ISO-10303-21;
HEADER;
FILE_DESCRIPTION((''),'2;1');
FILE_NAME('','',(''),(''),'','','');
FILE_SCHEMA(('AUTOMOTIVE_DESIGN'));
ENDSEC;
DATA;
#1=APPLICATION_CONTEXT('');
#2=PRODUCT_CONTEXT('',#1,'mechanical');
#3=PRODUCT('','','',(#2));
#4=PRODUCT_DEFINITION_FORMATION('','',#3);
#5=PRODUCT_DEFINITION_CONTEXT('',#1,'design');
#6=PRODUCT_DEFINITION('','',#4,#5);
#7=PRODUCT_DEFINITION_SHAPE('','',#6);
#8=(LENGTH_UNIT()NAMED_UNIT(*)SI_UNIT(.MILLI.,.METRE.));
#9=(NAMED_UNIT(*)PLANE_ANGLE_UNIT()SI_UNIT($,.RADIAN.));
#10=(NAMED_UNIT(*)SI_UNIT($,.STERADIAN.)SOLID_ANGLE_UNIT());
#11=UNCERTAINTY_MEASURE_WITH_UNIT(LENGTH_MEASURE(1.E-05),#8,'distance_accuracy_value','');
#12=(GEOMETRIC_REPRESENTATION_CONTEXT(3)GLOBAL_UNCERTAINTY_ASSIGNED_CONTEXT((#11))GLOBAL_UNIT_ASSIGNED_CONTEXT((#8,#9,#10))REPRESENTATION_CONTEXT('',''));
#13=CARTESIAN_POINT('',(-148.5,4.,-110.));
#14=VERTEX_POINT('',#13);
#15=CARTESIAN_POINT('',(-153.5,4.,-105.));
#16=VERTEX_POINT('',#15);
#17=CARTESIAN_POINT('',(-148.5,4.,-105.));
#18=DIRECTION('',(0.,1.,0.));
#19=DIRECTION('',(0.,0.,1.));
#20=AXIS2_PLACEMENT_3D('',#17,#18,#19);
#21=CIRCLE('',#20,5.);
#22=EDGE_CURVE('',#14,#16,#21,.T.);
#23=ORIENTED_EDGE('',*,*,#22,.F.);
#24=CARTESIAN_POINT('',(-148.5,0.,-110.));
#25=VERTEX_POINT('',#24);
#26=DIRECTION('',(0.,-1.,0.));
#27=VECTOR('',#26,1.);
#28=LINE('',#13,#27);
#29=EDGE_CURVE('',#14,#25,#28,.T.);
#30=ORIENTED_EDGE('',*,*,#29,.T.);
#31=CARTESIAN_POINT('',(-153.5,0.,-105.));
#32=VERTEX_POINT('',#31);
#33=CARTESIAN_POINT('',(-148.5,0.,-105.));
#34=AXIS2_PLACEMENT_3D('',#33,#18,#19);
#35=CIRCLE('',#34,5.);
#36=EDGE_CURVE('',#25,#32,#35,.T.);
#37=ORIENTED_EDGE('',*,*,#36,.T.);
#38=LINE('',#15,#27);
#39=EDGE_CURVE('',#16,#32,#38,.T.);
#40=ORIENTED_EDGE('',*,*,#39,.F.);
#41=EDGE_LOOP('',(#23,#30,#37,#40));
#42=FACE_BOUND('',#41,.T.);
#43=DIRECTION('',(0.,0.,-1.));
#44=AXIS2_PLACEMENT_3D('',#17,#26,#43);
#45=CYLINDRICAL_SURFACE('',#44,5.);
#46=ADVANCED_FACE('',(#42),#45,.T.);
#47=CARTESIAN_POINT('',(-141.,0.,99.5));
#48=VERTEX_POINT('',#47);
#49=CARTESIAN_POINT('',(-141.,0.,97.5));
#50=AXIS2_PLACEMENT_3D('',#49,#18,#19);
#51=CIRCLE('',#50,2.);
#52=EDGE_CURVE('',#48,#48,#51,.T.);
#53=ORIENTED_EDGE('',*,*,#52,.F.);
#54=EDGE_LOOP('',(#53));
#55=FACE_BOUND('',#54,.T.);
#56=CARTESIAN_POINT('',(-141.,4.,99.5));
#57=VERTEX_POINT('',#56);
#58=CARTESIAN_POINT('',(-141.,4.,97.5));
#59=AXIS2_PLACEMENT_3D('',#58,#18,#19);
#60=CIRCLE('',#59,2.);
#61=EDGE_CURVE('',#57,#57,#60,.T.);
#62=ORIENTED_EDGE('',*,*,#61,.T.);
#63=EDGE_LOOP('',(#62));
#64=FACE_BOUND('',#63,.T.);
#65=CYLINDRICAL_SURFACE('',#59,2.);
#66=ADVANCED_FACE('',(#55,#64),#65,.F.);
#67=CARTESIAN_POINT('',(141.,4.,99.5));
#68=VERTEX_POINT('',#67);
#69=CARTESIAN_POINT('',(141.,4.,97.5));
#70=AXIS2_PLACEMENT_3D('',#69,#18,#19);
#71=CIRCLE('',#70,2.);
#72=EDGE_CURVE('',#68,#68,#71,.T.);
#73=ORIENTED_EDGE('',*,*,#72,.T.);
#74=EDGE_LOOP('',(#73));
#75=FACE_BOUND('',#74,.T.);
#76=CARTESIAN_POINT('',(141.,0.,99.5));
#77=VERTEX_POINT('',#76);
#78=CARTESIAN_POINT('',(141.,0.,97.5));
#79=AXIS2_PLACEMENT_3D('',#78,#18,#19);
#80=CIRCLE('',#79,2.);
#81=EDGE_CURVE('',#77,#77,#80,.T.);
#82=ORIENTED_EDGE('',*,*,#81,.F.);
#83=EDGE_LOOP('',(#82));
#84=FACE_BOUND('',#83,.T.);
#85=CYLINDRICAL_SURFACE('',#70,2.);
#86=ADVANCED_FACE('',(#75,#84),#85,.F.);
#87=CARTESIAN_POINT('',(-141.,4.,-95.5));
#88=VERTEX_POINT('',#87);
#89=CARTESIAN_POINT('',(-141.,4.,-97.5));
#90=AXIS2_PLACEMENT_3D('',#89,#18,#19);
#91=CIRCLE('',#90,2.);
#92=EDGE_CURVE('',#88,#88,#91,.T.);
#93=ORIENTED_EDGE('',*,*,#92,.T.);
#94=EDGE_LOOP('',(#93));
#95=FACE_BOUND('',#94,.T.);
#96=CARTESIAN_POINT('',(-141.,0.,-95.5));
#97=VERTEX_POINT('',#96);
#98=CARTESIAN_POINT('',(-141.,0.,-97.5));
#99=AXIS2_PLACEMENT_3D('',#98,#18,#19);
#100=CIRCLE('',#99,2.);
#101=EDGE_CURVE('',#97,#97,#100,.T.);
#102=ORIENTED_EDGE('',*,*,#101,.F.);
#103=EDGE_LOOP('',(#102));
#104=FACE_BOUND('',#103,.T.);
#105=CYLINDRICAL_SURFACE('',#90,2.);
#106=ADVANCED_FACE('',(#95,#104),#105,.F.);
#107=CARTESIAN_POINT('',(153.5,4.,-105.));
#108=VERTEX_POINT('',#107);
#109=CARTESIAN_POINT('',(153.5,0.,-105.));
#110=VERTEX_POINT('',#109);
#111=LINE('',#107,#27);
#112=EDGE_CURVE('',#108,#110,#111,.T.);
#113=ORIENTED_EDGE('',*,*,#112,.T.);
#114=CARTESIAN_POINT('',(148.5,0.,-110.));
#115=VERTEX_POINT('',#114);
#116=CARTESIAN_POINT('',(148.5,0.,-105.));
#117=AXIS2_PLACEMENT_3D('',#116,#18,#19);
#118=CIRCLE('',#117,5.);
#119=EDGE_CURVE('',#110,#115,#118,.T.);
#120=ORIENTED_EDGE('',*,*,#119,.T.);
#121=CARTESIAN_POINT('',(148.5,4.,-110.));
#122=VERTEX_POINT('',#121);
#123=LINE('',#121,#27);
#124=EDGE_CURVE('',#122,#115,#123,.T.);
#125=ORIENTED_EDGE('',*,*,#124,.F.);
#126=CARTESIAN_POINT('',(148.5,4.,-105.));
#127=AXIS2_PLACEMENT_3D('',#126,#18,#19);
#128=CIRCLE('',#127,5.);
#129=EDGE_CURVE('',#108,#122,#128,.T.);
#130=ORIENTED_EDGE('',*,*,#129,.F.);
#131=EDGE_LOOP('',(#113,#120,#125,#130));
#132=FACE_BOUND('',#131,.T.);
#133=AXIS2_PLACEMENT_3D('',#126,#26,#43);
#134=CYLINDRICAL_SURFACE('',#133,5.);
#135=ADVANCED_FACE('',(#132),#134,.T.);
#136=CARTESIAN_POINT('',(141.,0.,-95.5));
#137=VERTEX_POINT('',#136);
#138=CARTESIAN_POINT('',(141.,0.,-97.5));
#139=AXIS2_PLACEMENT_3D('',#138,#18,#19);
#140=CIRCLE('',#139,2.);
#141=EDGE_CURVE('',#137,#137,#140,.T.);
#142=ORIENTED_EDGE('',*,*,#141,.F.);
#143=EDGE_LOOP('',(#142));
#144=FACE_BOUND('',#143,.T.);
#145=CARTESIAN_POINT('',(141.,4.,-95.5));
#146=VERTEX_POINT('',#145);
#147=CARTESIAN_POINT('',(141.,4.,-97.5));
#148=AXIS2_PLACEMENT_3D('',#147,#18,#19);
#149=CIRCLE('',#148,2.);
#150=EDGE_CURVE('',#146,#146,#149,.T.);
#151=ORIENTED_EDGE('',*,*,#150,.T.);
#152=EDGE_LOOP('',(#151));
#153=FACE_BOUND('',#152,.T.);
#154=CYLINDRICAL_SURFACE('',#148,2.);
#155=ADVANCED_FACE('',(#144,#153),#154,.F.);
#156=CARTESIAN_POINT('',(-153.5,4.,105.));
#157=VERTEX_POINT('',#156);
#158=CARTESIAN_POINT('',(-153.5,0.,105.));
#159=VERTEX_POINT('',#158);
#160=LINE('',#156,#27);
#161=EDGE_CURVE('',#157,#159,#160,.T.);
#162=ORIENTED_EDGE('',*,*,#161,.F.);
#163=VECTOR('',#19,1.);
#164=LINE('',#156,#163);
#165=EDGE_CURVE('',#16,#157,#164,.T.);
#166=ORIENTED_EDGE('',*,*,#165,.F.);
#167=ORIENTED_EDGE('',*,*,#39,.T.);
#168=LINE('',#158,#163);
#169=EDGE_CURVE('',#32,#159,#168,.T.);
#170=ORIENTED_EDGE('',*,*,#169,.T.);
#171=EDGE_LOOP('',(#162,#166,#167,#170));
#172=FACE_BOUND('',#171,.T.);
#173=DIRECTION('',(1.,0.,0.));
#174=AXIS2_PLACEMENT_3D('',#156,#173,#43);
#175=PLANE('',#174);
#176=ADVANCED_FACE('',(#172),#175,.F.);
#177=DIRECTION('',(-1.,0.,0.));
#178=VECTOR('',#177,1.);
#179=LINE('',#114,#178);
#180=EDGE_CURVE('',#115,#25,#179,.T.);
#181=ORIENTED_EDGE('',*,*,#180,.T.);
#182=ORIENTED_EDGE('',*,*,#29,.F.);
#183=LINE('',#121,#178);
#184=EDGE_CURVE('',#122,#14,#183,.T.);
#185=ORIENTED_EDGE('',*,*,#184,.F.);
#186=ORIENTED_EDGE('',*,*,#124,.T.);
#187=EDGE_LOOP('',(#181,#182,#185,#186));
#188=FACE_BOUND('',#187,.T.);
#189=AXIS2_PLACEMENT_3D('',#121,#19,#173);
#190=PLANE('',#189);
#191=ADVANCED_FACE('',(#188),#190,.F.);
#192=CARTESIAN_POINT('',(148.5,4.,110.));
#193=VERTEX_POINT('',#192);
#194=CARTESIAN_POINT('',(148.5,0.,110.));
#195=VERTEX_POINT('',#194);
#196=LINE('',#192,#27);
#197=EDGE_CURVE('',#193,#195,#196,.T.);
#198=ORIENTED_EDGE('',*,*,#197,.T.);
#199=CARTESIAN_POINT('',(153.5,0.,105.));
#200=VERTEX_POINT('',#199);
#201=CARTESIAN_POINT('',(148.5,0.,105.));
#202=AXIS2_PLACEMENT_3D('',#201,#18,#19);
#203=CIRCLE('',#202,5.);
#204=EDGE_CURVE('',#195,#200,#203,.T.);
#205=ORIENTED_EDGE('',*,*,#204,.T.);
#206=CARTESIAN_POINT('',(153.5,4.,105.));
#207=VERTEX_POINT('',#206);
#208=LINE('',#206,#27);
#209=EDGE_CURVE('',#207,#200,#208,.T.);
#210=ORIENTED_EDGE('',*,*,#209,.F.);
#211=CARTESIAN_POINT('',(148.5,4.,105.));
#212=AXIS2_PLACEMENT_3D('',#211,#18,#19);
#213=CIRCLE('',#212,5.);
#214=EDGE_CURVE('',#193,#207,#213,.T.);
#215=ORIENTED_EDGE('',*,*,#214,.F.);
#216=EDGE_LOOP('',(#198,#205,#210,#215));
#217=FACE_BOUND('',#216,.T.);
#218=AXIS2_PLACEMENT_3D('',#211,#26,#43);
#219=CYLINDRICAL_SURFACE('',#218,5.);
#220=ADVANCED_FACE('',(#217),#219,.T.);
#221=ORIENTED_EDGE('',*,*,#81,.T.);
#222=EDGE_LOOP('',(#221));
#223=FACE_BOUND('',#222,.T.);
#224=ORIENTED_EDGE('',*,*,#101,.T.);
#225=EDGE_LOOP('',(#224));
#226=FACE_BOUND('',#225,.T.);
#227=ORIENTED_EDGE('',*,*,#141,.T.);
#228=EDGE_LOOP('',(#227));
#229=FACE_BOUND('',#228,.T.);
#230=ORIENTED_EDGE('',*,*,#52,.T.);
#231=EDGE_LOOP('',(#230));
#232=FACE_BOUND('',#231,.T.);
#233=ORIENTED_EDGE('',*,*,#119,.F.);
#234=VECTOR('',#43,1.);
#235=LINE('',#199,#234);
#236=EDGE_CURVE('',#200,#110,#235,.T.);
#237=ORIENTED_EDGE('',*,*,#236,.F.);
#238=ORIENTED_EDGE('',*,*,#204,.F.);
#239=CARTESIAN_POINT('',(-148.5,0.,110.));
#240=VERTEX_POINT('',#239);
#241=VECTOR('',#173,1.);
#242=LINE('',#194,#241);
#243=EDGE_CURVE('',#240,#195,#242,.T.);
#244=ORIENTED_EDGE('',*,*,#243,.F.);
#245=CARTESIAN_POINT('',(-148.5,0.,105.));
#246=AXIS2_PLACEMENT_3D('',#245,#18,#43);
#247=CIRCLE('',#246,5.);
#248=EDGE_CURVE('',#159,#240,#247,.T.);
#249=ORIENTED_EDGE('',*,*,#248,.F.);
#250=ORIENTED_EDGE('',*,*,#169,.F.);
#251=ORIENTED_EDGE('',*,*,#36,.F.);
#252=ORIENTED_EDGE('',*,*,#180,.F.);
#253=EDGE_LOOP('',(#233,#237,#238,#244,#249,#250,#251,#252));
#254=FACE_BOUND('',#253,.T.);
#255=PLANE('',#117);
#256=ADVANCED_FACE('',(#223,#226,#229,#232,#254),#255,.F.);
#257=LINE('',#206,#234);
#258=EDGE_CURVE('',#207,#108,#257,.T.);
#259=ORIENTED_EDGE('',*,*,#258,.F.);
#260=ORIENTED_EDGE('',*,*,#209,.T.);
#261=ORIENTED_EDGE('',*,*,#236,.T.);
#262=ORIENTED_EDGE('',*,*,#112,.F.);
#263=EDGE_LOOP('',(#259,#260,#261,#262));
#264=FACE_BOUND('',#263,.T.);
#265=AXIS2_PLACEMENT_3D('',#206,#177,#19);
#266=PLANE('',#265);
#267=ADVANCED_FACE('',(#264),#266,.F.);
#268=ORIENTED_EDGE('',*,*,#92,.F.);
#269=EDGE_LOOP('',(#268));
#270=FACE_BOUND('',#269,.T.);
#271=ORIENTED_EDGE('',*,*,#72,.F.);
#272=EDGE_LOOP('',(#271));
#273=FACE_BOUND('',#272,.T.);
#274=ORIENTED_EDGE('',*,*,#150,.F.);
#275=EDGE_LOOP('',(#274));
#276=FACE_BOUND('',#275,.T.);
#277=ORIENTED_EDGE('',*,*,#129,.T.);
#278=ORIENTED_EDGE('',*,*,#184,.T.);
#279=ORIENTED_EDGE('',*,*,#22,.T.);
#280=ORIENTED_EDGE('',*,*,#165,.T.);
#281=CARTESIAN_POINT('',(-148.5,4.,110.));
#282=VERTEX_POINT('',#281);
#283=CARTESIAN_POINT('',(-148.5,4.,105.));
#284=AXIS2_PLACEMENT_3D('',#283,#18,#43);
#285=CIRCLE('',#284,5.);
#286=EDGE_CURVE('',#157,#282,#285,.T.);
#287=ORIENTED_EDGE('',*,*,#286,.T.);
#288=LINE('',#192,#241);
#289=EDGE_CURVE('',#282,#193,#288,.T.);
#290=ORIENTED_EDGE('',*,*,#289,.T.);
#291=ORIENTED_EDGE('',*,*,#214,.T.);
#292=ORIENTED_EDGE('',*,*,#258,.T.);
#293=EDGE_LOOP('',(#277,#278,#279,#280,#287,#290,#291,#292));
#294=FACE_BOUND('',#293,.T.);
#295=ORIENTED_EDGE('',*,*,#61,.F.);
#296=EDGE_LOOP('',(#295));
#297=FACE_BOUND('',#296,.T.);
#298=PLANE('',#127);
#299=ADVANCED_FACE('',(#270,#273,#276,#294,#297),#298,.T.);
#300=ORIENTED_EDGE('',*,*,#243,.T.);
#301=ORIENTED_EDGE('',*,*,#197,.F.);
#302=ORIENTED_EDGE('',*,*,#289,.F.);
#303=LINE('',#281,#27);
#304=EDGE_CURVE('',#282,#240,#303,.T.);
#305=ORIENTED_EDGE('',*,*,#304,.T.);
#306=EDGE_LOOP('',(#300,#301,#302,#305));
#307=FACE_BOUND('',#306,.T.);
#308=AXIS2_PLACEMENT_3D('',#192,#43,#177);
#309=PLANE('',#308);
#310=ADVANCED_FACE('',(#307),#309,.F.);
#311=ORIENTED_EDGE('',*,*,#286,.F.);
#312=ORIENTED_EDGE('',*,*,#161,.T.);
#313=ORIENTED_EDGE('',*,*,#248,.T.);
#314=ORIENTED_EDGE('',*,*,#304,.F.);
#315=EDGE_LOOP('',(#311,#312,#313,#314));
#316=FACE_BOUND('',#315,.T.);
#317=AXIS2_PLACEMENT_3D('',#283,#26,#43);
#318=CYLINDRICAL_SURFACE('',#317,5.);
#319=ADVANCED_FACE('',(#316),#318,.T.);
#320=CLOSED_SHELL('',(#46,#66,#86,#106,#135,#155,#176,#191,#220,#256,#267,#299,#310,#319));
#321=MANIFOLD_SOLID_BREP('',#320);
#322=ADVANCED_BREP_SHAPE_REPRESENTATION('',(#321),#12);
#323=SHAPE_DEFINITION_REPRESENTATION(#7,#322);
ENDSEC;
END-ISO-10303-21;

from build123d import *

# Parameters (mm, degrees)
BOSS_EXTRUDE1_DEPTH   = 4
F_4_0MM_DOWEL_HOLE1_D = 4


with BuildPart() as part:
    # Sketch2 → Boss-Extrude1 (new body)
    with BuildSketch(Plane(origin=(0, 0, 0), x_dir=(1, 0, 0), z_dir=(0, 1, 0))):
        with BuildLine():
            Line((148.5, -110), (-148.5, -110))
            ThreePointArc((-148.5, -110), (-152.035533906, -108.535533906), (-153.5, -105))
            Line((-153.5, -105), (-153.5, 105))
            ThreePointArc((-153.5, 105), (-152.035533906, 108.535533906), (-148.5, 110))
            Line((-148.5, 110), (148.5, 110))
            ThreePointArc((148.5, 110), (152.035533906, 108.535533906), (153.5, 105))
            Line((153.5, 105), (153.5, -105))
            ThreePointArc((153.5, -105), (152.035533906, -108.535533906), (148.5, -110))
        make_face()
    extrude(amount=BOSS_EXTRUDE1_DEPTH)

    # Ø4.0mm Dowel Hole1 (through all)
    with Locations(Plane(origin=(0, 4, 0), x_dir=(1, 0, 0), z_dir=(0, 1, 0))):
        with Locations((-141, 97.5), (-141, -97.5), (141, -97.5), (141, 97.5)):
            Hole(F_4_0MM_DOWEL_HOLE1_D / 2)


solid = part.part
